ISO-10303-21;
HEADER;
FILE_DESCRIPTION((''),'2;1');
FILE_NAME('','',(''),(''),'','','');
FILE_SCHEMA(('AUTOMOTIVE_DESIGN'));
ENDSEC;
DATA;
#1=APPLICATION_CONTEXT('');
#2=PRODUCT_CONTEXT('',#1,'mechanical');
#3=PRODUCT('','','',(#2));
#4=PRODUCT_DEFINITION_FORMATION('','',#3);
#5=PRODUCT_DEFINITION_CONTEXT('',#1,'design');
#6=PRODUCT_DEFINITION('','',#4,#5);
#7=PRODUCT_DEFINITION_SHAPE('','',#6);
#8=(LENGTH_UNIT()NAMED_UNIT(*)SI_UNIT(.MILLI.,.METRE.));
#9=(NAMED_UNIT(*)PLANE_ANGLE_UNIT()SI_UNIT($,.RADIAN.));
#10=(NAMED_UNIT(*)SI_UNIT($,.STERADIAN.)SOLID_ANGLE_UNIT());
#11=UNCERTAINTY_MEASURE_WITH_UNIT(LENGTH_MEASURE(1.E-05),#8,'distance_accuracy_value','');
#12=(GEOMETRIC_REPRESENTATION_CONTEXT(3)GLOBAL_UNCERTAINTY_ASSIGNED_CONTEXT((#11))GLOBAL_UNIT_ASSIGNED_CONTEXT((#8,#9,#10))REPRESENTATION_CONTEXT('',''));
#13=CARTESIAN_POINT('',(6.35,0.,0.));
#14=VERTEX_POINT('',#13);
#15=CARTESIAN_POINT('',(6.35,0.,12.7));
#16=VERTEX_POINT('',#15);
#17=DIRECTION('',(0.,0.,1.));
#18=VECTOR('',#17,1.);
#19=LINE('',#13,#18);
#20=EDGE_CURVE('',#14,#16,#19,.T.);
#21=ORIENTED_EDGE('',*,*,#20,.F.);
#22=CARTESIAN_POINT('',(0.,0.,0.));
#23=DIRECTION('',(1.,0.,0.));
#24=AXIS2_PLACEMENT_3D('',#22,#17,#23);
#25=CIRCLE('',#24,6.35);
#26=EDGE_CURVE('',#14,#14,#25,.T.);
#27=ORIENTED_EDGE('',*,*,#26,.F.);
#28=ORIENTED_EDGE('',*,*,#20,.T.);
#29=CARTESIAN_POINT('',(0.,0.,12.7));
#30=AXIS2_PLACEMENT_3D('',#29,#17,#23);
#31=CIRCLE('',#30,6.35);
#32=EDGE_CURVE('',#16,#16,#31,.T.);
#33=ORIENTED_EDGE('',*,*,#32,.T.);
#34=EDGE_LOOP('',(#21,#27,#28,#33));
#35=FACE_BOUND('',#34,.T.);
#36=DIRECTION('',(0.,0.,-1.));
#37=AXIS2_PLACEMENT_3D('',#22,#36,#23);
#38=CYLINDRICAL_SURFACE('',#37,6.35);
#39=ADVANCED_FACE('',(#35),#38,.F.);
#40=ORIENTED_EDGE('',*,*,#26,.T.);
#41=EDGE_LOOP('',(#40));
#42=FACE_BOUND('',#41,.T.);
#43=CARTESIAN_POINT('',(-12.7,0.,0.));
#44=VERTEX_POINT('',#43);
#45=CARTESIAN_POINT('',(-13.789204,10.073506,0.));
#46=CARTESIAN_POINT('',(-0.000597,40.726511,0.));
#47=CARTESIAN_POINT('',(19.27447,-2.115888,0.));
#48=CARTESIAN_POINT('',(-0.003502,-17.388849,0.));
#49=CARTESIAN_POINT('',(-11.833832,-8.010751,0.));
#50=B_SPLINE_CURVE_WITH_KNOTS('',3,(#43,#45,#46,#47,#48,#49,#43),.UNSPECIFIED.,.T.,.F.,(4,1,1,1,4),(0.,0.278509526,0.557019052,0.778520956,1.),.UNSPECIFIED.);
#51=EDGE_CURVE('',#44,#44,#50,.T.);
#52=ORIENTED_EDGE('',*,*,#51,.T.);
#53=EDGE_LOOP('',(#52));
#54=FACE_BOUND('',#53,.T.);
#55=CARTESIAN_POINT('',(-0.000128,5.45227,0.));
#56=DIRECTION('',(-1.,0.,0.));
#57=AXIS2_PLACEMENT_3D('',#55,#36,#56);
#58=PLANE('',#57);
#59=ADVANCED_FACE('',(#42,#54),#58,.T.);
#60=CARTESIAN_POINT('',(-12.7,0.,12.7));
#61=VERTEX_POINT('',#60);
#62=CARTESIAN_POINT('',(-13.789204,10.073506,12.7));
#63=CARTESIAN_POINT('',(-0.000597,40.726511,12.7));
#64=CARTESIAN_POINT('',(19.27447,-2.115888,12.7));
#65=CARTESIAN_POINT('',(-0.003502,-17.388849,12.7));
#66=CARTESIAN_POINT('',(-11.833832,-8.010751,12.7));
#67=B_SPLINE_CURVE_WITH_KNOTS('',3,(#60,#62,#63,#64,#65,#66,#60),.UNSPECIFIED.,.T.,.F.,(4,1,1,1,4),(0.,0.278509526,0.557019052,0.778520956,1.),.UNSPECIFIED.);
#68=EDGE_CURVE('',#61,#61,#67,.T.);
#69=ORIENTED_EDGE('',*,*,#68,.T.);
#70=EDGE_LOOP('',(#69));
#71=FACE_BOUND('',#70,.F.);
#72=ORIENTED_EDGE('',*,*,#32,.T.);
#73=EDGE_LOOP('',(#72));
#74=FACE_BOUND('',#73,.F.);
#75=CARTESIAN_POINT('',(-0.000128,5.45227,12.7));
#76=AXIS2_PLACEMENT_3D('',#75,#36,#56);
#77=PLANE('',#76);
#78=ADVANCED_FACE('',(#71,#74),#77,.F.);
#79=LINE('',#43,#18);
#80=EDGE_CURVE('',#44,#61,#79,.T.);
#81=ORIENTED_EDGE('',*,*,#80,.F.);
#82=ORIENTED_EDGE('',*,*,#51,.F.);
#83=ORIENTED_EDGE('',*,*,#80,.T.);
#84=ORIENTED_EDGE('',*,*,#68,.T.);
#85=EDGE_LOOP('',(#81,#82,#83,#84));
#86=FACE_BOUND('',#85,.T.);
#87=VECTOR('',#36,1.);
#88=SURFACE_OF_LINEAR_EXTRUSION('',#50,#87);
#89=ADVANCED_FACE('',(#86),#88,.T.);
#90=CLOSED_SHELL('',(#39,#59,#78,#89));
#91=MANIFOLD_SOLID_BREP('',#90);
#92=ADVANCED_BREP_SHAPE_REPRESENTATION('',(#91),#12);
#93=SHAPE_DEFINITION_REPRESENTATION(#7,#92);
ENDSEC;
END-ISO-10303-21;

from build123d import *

# Parameters (mm, degrees)
F0_R     = 6.35
F1_DEPTH = 12.7


with BuildPart() as f1:
    # F0 (on Top) → F1 (new body)
    with BuildSketch(Plane.XY):
        with BuildLine():
            add(Edge.make_bspline(
                [(-12.7, 0), (-13.7892041837, 10.0735058043), (-0.0005973043, 40.7265106605), (19.274469553, -2.1158880005), (-0.0035020711, -17.3888488481), (-11.8338324955, -8.0107508902), (-12.7, 0)],
                knots=[0, 0, 0, 0, 0.278509526, 0.557019052, 0.7785209562, 1, 1, 1, 1], degree=3))
        make_face()
        Circle(F0_R, mode=Mode.SUBTRACT)
    extrude(amount=F1_DEPTH)


solid = f1.part
